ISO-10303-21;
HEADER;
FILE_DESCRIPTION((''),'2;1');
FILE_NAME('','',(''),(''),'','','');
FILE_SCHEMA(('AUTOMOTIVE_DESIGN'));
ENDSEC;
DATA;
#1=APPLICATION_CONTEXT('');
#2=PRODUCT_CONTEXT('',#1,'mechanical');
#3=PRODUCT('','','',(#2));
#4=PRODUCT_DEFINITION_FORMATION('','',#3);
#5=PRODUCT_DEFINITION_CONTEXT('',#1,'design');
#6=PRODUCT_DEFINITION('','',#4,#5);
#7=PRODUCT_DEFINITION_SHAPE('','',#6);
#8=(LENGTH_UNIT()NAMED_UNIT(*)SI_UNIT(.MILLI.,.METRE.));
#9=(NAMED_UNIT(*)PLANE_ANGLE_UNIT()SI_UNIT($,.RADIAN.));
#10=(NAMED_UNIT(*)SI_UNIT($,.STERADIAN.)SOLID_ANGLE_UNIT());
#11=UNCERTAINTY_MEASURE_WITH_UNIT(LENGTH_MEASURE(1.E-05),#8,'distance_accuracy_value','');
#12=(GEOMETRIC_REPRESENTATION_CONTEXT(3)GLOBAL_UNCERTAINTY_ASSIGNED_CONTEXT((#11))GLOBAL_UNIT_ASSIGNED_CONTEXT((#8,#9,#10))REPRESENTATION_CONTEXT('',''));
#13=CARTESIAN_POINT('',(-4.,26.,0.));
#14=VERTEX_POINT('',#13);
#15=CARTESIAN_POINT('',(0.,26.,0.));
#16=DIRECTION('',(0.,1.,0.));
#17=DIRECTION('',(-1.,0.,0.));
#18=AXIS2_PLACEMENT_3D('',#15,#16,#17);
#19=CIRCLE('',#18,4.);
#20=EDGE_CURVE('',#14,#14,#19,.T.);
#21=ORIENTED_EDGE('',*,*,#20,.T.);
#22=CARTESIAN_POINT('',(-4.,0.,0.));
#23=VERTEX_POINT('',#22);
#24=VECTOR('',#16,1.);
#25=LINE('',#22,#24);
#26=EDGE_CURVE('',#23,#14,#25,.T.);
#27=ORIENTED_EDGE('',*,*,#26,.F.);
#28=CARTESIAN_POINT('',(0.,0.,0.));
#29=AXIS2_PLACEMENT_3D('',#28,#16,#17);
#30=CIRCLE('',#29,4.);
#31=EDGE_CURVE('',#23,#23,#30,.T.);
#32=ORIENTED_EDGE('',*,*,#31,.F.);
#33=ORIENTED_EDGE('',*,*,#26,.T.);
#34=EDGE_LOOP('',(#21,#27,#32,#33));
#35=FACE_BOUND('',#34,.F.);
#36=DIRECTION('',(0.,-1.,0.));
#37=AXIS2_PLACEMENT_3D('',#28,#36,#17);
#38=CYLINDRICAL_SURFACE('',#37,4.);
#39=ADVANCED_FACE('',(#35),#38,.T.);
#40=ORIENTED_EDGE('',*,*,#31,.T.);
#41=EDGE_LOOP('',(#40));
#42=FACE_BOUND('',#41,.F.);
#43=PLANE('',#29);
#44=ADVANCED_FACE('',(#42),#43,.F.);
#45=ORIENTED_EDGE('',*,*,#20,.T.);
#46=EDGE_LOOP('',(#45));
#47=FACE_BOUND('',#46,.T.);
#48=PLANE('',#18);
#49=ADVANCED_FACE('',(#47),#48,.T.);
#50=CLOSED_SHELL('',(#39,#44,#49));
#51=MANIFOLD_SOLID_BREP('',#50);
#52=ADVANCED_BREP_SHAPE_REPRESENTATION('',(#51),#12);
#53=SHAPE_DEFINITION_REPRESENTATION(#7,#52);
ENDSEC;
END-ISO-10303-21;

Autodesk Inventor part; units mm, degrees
ref_plane "YZ Plane" through (0, 0, 0) normal (1, 0, 0) x (0, 1, 0)
ref_plane "XZ Plane" through (0, 0, 0) normal (0, 1, 0) x (-1, 0, 0)
ref_plane "XY Plane" through (0, 0, 0) normal (0, 0, 1) x (1, 0, 0)
sketch "Sketch1" plane through (0, 0, 0) normal (0, 1, 0) x (-1, 0, 0)
  circle A0 centre (0, 0) radius 4
  dimension "d0" = 8
extrude "Extrusion1" add sketch "Sketch1" along normal blind 26
properties part number "DummyBar" material "Stainless Steel"
